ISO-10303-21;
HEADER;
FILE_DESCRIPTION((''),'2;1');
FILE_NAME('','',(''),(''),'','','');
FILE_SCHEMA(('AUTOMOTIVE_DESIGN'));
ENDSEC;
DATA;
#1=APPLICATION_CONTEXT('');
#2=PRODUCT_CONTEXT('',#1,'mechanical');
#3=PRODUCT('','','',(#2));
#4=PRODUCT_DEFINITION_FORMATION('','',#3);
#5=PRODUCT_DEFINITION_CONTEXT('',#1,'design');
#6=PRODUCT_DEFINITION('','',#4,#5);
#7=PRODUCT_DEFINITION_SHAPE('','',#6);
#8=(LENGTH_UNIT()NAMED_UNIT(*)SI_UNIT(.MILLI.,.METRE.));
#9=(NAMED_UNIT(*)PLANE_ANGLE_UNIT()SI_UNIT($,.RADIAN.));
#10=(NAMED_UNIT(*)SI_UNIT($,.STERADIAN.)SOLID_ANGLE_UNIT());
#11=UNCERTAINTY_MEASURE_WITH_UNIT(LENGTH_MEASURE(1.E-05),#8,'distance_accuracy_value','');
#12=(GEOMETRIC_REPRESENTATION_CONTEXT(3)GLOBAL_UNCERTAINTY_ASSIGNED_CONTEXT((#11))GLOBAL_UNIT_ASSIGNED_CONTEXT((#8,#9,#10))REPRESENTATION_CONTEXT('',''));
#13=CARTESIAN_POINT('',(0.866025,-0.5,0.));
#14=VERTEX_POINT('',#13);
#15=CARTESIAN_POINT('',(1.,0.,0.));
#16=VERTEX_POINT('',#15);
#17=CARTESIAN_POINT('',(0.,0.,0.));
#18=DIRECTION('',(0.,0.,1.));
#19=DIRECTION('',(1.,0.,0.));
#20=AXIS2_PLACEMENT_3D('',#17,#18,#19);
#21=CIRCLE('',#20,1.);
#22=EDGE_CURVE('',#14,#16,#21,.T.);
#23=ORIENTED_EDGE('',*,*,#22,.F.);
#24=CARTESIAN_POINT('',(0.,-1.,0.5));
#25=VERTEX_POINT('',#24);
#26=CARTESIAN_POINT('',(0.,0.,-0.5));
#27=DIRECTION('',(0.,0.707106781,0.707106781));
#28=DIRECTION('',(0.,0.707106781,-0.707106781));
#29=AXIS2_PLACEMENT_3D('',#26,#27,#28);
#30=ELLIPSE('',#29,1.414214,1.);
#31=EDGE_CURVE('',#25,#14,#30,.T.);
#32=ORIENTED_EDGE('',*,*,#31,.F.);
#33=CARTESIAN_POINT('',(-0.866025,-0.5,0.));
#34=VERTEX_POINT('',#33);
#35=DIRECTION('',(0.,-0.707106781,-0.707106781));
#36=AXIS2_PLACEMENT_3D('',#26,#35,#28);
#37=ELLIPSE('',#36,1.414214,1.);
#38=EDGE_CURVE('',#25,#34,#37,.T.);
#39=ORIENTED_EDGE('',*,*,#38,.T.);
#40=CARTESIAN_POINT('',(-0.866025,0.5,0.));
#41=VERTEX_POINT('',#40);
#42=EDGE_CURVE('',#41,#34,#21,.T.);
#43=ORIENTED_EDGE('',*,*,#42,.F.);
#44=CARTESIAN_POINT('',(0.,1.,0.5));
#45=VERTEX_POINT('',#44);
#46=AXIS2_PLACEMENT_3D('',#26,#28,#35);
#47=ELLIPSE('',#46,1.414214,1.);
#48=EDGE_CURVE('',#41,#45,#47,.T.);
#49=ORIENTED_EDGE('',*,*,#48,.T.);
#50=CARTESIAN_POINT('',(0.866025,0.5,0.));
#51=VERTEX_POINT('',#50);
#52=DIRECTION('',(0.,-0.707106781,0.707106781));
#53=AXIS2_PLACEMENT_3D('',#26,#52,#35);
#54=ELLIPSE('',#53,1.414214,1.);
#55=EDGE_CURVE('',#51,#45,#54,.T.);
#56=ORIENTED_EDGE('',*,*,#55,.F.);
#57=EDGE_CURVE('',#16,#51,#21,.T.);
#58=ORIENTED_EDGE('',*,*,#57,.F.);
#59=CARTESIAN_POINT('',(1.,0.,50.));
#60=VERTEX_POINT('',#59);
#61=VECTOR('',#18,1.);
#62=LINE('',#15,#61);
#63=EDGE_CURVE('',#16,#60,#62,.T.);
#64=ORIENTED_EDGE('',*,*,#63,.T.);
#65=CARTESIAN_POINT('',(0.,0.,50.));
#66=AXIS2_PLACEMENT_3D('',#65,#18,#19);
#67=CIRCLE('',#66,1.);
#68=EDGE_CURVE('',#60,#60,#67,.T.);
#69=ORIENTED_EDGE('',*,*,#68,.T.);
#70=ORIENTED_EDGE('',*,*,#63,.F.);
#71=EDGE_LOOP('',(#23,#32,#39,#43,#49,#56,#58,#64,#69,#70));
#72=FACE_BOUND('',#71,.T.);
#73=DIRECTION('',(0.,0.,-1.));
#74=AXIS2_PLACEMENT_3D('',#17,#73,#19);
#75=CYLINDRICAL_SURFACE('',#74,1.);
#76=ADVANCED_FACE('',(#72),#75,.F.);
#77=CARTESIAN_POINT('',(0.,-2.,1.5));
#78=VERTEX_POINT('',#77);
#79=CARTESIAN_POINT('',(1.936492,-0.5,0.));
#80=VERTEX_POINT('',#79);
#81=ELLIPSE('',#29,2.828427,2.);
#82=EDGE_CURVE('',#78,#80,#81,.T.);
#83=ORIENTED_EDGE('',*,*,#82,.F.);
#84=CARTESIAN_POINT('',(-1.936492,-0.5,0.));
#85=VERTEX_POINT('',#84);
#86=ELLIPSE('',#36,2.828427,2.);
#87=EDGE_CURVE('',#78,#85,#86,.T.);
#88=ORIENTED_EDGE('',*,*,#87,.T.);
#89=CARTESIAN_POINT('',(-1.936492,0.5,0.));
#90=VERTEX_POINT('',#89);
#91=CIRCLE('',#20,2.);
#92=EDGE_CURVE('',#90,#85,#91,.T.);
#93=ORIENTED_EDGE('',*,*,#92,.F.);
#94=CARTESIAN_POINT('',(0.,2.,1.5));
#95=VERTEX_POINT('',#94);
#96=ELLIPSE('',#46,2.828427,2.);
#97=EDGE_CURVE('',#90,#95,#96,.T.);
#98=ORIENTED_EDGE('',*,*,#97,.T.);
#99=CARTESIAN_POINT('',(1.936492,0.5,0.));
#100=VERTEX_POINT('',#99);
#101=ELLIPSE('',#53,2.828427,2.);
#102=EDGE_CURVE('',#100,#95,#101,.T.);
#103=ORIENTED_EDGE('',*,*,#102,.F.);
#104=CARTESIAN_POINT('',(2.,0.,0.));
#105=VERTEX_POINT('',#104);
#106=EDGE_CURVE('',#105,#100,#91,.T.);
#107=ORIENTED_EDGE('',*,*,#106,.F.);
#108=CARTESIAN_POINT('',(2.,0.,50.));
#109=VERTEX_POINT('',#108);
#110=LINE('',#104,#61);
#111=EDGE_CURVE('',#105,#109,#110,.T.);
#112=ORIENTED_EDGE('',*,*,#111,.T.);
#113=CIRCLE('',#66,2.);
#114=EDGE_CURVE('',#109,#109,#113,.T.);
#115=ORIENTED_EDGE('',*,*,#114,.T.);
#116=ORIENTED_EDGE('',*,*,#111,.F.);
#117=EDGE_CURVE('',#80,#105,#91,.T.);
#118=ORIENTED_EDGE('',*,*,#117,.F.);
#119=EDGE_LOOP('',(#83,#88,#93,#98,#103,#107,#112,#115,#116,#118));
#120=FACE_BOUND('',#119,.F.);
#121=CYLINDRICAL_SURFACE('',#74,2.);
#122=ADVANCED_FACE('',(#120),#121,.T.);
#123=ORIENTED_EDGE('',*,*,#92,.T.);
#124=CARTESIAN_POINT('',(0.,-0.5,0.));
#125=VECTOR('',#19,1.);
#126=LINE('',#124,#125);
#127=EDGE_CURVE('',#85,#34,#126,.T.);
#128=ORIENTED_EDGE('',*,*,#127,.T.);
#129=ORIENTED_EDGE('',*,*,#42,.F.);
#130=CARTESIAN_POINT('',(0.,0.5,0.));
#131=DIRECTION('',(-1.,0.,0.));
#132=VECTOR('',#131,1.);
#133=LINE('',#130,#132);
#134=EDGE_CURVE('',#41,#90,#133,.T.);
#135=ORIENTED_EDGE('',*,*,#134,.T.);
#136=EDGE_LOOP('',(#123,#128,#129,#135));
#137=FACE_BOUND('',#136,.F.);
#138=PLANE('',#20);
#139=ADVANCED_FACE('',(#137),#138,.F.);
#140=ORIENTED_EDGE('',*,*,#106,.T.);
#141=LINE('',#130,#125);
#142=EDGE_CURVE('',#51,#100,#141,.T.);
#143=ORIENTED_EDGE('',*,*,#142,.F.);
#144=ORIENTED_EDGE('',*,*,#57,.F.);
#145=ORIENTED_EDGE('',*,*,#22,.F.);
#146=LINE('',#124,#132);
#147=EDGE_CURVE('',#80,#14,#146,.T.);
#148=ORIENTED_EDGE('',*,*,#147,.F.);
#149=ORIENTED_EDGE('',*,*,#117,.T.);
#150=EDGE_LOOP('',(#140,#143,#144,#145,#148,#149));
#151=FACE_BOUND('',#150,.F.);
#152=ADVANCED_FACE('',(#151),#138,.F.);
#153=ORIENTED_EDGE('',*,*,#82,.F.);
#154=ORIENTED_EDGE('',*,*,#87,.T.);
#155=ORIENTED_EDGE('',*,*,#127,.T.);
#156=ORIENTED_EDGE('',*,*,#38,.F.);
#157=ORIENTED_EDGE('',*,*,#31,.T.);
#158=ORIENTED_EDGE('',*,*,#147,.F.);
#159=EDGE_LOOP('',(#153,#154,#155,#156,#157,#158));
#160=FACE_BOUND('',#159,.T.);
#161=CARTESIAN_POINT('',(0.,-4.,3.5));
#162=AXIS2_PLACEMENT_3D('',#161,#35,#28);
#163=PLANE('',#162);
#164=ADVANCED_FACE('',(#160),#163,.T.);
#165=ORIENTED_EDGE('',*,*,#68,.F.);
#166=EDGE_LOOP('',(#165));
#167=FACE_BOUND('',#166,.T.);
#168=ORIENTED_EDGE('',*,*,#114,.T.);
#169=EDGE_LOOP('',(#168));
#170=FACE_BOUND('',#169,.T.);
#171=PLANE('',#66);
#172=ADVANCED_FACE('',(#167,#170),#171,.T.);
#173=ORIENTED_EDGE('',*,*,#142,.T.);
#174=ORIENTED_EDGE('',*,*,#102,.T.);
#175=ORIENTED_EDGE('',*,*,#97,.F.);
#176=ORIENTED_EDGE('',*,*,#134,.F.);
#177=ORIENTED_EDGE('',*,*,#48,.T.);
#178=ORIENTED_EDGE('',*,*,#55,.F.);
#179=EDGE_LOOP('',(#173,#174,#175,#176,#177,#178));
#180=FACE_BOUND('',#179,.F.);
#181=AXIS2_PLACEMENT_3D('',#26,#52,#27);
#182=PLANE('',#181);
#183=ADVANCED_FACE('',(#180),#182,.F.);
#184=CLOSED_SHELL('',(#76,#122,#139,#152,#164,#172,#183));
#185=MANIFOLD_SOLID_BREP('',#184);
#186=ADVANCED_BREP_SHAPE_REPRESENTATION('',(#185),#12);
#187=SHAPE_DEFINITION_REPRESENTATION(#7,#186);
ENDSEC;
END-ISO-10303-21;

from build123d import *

# Parameters (mm, degrees)
SKETCH089_R          = 2
SKETCH089_R_2        = 1
PAD030_DEPTH         = 50
POCKET025_DEPTH      = 2.001
POCKET025_DEPTH_BACK = -2.001


with BuildPart() as part:
    # Sketch089 → Pad030 (new body)
    with BuildSketch(Plane.XY):
        Circle(SKETCH089_R)
        Circle(SKETCH089_R_2, mode=Mode.SUBTRACT)
    extrude(amount=PAD030_DEPTH)

    # Sketch090 → Pocket025 (cut, two sides)
    with BuildSketch(Plane.YZ) as pocket025_sk:
        Polygon((0, -0.5), (4, 3.5), (4, -3.5), (-4, -3.5), (-4, 3.5), align=None)
    extrude(amount=-POCKET025_DEPTH, mode=Mode.SUBTRACT)
    extrude(pocket025_sk.sketch, amount=-POCKET025_DEPTH_BACK, mode=Mode.SUBTRACT)


solid = part.part
